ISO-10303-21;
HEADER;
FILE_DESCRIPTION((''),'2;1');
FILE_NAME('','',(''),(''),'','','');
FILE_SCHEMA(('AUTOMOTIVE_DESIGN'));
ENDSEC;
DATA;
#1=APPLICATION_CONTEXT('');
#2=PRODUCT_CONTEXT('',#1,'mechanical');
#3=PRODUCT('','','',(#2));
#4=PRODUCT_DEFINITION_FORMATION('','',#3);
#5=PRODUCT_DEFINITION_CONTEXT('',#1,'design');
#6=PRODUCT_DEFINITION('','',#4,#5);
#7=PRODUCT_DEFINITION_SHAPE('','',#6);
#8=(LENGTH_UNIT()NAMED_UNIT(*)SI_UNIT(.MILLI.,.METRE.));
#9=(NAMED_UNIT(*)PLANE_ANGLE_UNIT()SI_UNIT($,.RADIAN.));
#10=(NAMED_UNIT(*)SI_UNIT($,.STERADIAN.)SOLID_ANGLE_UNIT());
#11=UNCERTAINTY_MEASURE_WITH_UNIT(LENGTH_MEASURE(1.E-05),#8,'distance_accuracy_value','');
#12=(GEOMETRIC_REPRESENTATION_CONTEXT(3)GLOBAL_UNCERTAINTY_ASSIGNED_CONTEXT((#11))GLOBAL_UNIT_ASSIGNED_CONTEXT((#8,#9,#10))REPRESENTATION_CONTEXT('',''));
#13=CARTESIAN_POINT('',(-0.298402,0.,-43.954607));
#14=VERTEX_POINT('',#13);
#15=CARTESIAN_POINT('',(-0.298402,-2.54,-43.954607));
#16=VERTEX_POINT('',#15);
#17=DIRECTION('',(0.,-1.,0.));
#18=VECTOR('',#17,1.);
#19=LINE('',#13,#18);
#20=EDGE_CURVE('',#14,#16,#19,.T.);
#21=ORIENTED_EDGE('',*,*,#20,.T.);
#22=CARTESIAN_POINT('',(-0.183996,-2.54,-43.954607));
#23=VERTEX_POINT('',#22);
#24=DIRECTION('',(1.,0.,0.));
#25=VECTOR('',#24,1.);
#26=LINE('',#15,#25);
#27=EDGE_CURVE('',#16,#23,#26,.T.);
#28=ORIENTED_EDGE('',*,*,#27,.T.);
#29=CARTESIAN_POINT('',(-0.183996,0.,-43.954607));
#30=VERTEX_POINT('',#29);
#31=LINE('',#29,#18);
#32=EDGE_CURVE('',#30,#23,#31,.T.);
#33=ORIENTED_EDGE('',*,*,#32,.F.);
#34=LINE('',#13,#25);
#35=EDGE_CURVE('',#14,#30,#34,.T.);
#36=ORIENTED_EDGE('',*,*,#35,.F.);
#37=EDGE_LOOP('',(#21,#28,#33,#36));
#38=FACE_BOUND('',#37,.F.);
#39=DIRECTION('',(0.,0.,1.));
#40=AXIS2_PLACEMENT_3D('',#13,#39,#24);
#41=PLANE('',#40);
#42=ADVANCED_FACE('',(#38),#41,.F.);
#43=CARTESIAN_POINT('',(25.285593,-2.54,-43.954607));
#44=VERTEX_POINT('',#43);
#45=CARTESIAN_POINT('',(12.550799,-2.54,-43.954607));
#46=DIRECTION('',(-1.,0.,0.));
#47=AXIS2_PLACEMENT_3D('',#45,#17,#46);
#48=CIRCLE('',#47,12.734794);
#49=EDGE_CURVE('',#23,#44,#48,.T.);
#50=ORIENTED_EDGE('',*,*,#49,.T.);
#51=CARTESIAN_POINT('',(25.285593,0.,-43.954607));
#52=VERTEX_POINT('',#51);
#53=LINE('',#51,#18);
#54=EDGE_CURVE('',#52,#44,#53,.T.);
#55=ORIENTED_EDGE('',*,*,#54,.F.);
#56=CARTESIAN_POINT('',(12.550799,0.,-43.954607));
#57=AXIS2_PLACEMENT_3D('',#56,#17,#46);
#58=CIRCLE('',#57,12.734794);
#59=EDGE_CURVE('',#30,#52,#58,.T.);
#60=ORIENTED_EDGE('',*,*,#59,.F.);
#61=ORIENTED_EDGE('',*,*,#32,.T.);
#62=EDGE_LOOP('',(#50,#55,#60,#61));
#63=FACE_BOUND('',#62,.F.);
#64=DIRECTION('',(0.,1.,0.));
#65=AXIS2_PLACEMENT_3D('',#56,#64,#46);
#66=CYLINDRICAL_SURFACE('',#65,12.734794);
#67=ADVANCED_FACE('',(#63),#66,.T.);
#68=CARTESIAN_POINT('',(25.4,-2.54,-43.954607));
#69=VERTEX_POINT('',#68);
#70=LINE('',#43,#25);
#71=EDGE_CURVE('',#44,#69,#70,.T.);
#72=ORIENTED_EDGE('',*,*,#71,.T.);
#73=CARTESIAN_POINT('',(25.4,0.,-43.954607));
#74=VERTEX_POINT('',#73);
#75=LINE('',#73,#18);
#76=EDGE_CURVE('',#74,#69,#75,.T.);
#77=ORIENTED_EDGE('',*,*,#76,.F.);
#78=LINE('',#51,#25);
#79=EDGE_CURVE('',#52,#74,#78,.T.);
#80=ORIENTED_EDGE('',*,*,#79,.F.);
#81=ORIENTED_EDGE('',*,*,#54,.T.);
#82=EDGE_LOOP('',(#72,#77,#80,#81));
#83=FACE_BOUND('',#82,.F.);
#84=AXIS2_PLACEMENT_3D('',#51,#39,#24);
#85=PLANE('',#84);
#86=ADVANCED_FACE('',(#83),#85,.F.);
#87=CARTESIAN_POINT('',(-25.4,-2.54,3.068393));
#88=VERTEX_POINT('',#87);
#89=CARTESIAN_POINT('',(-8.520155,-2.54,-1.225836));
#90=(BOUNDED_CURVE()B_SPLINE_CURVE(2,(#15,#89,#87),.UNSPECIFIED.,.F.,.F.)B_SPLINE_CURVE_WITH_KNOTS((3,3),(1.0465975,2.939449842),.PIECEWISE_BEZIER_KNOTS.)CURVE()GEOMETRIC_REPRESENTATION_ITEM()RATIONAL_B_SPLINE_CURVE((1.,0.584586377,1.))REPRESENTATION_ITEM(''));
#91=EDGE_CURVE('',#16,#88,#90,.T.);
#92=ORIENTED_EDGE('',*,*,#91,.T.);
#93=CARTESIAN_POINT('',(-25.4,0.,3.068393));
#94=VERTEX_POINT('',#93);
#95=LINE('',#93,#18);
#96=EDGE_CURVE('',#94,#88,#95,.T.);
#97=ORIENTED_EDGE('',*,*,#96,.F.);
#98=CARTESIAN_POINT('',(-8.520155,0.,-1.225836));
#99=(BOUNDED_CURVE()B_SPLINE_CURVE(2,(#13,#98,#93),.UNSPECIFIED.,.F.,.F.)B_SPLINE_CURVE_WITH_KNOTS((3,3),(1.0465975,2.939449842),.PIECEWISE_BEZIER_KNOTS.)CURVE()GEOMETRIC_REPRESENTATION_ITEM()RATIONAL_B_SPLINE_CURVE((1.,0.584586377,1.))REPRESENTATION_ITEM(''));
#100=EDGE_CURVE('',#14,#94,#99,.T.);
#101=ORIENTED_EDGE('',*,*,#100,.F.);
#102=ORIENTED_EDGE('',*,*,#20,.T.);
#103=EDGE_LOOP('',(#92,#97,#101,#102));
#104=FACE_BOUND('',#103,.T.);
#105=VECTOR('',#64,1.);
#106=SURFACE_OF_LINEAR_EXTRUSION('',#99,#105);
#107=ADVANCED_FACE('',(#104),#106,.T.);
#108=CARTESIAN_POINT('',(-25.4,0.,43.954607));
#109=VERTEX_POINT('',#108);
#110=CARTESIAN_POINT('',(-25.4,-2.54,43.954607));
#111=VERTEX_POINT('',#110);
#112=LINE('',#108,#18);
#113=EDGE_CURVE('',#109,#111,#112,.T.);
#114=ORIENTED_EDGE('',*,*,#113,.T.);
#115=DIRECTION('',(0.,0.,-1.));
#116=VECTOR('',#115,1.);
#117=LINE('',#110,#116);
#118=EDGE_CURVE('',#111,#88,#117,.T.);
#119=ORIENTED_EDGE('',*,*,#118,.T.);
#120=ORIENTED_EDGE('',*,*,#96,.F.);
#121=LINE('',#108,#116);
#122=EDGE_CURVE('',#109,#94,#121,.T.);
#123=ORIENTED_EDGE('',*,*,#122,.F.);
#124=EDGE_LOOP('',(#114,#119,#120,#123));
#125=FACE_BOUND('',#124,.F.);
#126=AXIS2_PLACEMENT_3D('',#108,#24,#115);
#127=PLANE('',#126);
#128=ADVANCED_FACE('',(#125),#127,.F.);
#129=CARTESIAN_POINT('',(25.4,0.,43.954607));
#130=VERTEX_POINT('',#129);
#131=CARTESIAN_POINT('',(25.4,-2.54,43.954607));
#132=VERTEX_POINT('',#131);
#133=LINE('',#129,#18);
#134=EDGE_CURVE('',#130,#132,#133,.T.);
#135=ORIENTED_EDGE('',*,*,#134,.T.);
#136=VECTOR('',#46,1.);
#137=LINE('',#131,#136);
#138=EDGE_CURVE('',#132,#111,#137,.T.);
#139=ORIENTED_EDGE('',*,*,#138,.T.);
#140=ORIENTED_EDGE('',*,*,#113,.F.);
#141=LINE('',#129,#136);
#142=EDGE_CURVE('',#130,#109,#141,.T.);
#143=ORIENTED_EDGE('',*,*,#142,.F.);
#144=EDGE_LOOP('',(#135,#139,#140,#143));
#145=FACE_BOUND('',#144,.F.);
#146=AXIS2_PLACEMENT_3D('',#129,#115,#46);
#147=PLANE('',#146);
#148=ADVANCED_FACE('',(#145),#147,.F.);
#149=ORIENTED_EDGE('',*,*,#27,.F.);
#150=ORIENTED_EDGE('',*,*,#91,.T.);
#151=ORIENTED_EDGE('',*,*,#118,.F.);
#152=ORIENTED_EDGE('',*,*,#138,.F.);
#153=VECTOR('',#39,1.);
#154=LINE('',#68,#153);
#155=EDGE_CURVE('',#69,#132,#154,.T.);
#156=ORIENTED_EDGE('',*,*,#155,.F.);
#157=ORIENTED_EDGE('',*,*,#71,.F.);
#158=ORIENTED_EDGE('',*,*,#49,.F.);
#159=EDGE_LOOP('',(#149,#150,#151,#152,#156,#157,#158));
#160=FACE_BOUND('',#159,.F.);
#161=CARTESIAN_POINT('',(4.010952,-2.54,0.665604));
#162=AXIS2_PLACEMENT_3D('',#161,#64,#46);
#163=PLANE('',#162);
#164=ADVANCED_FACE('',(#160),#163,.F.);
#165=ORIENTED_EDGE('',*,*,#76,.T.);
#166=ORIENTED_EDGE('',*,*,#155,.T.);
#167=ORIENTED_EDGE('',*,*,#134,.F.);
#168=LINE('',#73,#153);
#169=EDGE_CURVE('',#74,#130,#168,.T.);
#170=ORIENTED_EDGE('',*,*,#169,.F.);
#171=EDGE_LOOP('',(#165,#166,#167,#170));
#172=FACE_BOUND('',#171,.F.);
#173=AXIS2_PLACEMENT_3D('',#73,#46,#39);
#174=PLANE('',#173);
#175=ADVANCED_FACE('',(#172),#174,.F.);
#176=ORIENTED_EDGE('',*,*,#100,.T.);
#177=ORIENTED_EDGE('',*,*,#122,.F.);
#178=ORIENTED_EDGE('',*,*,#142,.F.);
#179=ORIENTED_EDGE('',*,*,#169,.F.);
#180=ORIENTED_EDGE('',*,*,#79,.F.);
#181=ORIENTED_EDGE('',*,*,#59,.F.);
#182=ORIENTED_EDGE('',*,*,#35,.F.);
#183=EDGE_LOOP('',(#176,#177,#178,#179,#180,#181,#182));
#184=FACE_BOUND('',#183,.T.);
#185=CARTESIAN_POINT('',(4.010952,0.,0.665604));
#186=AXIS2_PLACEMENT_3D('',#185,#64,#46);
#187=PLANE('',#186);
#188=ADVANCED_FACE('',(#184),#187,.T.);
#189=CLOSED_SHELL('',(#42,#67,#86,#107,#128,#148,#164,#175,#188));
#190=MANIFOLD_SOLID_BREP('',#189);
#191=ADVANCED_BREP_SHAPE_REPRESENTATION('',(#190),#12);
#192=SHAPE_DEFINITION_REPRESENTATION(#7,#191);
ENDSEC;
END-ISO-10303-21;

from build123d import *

# Parameters (mm, degrees)
F1_DEPTH = 2.54


with BuildPart() as f1:
    # F0 (on Front) → F1 (new body)
    with BuildSketch(Plane.XZ):
        with BuildLine():
            add(Edge.make_bspline(
                [(-0.2984023893, -43.9546074112), (-8.5201546862, -1.2258363234), (-25.4, 3.0683932448)],
                knots=[1.0465974999, 1.0465974999, 1.0465974999, 2.9394498418, 2.9394498418, 2.9394498418], degree=2, weights=[1, 0.5845863765, 1]))
            Line((-0.2984023893, -43.9546074112), (-0.1839956371, -43.9546074112))
            ThreePointArc((-0.1839956371, -43.9546074112), (12.5507988054, -56.6894018537), (25.2855932479, -43.9546074112))
            Line((25.2855932479, -43.9546074112), (25.4, -43.9546074112))
            Line((25.4, -43.9546074112), (25.4, 43.9546074112))
            Line((25.4, 43.9546074112), (-25.4, 43.9546074112))
            Line((-25.4, 43.9546074112), (-25.4, 3.0683932448))
        make_face()
    extrude(amount=F1_DEPTH)


solid = f1.part
